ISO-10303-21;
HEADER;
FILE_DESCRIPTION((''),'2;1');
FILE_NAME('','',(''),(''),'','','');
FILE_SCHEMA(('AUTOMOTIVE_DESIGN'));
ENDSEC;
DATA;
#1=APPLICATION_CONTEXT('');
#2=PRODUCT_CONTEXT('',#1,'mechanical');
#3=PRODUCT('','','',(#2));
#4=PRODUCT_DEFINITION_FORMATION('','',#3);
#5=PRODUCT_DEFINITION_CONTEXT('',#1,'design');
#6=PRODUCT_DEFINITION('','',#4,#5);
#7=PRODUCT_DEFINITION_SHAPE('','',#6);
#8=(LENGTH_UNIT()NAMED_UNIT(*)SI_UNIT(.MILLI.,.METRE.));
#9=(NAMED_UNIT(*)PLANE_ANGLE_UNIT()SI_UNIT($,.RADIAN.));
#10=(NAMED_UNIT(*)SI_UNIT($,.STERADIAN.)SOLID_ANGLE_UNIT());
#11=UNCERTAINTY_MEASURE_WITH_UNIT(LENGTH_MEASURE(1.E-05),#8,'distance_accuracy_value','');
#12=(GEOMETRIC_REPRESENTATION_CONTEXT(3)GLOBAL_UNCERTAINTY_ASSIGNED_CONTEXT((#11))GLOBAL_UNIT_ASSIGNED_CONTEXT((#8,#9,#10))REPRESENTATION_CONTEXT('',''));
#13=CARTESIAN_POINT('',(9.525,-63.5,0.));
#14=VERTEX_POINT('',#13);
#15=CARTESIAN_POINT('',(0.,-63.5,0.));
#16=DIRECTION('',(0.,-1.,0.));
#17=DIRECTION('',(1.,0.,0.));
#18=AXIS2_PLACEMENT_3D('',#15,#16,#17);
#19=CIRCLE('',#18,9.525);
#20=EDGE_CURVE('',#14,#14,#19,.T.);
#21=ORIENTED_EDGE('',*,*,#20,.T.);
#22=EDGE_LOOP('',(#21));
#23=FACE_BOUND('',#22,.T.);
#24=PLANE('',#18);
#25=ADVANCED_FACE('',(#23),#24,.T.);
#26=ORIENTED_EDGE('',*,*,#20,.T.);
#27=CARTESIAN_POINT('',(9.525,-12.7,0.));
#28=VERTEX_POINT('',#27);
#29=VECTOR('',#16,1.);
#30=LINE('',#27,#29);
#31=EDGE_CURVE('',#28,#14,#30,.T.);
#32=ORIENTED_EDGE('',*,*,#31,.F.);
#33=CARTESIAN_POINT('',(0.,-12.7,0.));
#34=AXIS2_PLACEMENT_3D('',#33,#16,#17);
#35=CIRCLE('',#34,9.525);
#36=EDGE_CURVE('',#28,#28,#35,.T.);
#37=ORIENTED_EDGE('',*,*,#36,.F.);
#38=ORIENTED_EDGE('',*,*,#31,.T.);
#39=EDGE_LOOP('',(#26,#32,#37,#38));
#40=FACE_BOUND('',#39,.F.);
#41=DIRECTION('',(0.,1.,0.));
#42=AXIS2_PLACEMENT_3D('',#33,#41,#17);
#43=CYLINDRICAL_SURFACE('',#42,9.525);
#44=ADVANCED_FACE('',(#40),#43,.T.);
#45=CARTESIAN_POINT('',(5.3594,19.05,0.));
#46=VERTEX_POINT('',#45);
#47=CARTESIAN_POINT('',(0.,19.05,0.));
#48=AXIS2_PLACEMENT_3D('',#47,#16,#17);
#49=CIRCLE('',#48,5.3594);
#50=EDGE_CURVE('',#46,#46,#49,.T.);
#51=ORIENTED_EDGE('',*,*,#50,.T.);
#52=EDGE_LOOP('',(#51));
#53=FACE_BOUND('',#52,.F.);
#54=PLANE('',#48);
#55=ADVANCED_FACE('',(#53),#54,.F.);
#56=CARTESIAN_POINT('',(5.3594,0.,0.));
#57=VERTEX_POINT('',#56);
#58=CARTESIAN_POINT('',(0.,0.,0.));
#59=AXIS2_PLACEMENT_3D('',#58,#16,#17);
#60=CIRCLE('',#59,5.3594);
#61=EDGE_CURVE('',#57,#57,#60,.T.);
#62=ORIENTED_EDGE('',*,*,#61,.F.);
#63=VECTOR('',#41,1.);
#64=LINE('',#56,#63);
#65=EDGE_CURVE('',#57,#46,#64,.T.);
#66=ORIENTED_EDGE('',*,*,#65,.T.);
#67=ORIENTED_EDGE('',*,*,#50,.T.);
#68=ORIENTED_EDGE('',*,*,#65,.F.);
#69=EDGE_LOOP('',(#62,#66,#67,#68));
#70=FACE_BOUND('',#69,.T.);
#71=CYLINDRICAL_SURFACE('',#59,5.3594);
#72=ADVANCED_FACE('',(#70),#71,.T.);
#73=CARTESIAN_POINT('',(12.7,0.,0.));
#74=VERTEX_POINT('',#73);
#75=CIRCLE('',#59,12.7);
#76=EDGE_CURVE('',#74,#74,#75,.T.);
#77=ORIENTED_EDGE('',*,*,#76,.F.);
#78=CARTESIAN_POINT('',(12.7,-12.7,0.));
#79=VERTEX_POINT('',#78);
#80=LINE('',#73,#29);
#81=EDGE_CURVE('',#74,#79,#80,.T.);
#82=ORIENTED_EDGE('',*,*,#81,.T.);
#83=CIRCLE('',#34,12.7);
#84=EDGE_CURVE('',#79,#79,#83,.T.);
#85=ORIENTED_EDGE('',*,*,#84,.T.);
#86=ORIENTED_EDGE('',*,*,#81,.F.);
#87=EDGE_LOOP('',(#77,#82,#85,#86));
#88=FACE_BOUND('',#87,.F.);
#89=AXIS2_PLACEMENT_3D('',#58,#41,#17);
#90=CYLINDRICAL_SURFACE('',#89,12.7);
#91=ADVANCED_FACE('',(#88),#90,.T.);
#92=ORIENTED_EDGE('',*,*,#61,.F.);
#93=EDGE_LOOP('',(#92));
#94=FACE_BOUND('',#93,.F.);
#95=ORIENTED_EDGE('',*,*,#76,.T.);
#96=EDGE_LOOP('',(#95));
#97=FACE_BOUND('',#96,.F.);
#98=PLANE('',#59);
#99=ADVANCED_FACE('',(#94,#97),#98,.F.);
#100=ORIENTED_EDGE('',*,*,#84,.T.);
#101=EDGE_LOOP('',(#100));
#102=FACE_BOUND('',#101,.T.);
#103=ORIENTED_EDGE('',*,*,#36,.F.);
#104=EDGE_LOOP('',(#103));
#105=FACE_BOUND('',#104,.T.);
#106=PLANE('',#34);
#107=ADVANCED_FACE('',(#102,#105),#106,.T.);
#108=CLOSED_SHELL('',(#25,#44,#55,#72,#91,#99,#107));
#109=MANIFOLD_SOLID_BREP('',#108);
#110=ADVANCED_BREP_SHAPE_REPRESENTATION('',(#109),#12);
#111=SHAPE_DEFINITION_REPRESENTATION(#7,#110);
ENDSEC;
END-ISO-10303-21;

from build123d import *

# Parameters (mm, degrees)
F0_R     = 12.7
F0_R_2   = 5.3594
F1_DEPTH = 12.7
F2_DEPTH = 19.05
F3_R     = 9.525
F4_DEPTH = 50.8


with BuildPart() as f1:
    # F0 (on Front) → F1 (new body)
    with BuildSketch(Plane.XZ):
        Circle(F0_R)
        Circle(F0_R_2, mode=Mode.SUBTRACT)
        Circle(F0_R_2)
    extrude(amount=F1_DEPTH)

    # F0 (on Front) → F2 (join)
    with BuildSketch(Plane.XZ):
        Circle(F0_R_2)
    extrude(amount=-F2_DEPTH)

    # F3 (on face) → F4 (join)
    with BuildSketch(Plane.XZ.offset(12.7)):
        Circle(F3_R)
    extrude(amount=F4_DEPTH)


solid = f1.part
